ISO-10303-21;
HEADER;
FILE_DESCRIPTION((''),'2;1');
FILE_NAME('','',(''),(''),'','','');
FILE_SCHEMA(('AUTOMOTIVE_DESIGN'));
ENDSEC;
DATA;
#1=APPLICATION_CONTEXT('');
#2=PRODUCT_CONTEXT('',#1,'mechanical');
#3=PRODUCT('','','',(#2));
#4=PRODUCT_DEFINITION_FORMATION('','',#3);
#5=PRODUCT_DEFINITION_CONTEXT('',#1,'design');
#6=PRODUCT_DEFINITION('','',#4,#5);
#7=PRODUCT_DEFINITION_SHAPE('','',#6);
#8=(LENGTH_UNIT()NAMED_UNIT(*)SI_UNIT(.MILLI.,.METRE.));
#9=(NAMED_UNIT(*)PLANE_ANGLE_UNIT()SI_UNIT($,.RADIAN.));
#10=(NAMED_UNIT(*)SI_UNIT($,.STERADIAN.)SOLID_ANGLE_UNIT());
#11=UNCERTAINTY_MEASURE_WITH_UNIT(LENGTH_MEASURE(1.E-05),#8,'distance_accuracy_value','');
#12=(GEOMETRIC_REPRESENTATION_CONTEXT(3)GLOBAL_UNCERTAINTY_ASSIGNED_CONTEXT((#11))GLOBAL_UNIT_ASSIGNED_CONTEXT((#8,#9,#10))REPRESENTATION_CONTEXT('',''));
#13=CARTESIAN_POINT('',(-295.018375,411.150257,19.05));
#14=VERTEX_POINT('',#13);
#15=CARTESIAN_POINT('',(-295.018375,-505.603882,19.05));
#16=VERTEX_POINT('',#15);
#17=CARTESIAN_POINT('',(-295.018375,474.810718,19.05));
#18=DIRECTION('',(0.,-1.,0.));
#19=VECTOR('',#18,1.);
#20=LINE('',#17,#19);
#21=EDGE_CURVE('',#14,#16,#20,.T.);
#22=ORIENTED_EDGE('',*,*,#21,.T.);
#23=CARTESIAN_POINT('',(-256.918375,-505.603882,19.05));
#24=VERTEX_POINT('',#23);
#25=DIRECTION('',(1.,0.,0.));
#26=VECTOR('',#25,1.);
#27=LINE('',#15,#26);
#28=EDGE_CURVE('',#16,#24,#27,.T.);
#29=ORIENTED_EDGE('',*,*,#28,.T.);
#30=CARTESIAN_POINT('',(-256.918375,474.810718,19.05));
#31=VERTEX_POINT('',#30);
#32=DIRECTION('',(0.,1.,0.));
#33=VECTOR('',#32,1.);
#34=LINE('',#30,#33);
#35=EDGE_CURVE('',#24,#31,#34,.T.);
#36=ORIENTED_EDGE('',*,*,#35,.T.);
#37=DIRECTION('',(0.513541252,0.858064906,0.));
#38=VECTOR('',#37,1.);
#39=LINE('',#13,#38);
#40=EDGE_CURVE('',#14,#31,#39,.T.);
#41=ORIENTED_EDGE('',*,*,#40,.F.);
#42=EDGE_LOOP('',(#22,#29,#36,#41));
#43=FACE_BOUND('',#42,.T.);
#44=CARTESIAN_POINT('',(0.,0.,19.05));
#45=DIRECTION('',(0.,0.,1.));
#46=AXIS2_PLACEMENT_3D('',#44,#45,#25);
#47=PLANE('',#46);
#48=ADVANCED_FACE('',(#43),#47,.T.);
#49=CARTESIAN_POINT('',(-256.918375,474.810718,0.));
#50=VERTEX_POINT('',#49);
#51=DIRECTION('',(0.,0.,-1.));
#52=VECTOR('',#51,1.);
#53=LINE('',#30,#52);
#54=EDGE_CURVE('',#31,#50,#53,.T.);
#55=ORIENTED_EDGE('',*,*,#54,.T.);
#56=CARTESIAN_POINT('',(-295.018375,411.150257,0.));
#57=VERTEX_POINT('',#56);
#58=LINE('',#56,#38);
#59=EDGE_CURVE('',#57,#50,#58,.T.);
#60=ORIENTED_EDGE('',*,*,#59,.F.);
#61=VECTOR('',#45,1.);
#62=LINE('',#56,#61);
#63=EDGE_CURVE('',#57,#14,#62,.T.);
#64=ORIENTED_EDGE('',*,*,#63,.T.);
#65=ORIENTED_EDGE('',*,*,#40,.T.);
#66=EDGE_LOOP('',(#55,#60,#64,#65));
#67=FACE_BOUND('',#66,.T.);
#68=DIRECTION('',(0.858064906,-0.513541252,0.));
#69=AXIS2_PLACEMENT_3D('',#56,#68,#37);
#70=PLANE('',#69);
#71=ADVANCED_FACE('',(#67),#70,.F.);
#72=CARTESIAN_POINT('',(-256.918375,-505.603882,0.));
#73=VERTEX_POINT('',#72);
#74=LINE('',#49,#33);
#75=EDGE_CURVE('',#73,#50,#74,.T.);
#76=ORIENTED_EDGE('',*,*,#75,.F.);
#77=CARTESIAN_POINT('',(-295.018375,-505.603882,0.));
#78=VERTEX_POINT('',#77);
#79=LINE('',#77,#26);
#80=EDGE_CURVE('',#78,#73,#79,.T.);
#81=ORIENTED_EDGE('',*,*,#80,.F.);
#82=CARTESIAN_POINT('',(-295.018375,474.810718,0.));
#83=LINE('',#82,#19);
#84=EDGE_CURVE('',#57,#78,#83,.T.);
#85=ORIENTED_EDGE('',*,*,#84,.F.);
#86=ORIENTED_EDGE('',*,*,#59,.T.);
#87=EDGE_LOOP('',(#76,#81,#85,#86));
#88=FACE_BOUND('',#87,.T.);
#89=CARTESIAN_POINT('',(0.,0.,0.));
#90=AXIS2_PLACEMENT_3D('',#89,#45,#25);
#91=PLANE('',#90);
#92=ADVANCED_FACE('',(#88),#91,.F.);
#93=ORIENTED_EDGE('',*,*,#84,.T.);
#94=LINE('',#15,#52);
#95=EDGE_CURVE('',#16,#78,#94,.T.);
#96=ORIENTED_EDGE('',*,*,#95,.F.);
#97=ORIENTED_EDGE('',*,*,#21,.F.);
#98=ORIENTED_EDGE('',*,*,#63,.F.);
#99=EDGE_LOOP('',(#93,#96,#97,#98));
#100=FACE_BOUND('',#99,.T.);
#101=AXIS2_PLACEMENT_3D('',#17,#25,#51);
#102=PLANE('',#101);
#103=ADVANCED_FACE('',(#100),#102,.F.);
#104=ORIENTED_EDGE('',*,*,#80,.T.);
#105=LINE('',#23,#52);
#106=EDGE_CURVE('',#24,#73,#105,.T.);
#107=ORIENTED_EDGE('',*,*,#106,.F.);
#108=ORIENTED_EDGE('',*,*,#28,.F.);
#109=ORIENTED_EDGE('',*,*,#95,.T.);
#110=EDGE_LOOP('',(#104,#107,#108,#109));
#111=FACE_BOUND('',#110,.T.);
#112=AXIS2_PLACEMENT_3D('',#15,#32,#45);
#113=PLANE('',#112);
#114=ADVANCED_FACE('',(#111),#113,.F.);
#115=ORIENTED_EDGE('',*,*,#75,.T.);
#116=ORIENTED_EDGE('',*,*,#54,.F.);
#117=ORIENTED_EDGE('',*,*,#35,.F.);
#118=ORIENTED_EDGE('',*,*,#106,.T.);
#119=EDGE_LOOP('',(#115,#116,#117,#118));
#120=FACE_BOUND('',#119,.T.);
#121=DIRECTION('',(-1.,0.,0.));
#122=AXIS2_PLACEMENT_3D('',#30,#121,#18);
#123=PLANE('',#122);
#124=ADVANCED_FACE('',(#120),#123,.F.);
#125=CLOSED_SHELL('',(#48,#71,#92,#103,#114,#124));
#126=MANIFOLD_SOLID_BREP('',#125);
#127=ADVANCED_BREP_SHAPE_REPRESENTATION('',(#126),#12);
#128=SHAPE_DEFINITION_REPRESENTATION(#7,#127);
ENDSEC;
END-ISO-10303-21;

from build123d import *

# Parameters (mm, degrees)
SKETCH1_W           = 38.1
SKETCH1_H           = 980.4146
BOSS_EXTRUDE1_DEPTH = 19.05
CUT_EXTRUDE1_DEPTH  = 20.05


with BuildPart() as part:
    # Sketch1 → Boss-Extrude1 (new body)
    with BuildSketch(Plane.XY):
        with Locations((-275.968375076, -15.396581864)):
            Rectangle(SKETCH1_W, SKETCH1_H)
    extrude(amount=BOSS_EXTRUDE1_DEPTH)

    # Sketch2 → Cut-Extrude1 (cut, through all)
    with BuildSketch(Plane.XY.offset(19.05)):
        Polygon((-295.018375076, 411.15025702), (-256.918375076, 474.810718136), (-295.018375076, 474.810718136), align=None)
    extrude(amount=-CUT_EXTRUDE1_DEPTH, mode=Mode.SUBTRACT)


solid = part.part
